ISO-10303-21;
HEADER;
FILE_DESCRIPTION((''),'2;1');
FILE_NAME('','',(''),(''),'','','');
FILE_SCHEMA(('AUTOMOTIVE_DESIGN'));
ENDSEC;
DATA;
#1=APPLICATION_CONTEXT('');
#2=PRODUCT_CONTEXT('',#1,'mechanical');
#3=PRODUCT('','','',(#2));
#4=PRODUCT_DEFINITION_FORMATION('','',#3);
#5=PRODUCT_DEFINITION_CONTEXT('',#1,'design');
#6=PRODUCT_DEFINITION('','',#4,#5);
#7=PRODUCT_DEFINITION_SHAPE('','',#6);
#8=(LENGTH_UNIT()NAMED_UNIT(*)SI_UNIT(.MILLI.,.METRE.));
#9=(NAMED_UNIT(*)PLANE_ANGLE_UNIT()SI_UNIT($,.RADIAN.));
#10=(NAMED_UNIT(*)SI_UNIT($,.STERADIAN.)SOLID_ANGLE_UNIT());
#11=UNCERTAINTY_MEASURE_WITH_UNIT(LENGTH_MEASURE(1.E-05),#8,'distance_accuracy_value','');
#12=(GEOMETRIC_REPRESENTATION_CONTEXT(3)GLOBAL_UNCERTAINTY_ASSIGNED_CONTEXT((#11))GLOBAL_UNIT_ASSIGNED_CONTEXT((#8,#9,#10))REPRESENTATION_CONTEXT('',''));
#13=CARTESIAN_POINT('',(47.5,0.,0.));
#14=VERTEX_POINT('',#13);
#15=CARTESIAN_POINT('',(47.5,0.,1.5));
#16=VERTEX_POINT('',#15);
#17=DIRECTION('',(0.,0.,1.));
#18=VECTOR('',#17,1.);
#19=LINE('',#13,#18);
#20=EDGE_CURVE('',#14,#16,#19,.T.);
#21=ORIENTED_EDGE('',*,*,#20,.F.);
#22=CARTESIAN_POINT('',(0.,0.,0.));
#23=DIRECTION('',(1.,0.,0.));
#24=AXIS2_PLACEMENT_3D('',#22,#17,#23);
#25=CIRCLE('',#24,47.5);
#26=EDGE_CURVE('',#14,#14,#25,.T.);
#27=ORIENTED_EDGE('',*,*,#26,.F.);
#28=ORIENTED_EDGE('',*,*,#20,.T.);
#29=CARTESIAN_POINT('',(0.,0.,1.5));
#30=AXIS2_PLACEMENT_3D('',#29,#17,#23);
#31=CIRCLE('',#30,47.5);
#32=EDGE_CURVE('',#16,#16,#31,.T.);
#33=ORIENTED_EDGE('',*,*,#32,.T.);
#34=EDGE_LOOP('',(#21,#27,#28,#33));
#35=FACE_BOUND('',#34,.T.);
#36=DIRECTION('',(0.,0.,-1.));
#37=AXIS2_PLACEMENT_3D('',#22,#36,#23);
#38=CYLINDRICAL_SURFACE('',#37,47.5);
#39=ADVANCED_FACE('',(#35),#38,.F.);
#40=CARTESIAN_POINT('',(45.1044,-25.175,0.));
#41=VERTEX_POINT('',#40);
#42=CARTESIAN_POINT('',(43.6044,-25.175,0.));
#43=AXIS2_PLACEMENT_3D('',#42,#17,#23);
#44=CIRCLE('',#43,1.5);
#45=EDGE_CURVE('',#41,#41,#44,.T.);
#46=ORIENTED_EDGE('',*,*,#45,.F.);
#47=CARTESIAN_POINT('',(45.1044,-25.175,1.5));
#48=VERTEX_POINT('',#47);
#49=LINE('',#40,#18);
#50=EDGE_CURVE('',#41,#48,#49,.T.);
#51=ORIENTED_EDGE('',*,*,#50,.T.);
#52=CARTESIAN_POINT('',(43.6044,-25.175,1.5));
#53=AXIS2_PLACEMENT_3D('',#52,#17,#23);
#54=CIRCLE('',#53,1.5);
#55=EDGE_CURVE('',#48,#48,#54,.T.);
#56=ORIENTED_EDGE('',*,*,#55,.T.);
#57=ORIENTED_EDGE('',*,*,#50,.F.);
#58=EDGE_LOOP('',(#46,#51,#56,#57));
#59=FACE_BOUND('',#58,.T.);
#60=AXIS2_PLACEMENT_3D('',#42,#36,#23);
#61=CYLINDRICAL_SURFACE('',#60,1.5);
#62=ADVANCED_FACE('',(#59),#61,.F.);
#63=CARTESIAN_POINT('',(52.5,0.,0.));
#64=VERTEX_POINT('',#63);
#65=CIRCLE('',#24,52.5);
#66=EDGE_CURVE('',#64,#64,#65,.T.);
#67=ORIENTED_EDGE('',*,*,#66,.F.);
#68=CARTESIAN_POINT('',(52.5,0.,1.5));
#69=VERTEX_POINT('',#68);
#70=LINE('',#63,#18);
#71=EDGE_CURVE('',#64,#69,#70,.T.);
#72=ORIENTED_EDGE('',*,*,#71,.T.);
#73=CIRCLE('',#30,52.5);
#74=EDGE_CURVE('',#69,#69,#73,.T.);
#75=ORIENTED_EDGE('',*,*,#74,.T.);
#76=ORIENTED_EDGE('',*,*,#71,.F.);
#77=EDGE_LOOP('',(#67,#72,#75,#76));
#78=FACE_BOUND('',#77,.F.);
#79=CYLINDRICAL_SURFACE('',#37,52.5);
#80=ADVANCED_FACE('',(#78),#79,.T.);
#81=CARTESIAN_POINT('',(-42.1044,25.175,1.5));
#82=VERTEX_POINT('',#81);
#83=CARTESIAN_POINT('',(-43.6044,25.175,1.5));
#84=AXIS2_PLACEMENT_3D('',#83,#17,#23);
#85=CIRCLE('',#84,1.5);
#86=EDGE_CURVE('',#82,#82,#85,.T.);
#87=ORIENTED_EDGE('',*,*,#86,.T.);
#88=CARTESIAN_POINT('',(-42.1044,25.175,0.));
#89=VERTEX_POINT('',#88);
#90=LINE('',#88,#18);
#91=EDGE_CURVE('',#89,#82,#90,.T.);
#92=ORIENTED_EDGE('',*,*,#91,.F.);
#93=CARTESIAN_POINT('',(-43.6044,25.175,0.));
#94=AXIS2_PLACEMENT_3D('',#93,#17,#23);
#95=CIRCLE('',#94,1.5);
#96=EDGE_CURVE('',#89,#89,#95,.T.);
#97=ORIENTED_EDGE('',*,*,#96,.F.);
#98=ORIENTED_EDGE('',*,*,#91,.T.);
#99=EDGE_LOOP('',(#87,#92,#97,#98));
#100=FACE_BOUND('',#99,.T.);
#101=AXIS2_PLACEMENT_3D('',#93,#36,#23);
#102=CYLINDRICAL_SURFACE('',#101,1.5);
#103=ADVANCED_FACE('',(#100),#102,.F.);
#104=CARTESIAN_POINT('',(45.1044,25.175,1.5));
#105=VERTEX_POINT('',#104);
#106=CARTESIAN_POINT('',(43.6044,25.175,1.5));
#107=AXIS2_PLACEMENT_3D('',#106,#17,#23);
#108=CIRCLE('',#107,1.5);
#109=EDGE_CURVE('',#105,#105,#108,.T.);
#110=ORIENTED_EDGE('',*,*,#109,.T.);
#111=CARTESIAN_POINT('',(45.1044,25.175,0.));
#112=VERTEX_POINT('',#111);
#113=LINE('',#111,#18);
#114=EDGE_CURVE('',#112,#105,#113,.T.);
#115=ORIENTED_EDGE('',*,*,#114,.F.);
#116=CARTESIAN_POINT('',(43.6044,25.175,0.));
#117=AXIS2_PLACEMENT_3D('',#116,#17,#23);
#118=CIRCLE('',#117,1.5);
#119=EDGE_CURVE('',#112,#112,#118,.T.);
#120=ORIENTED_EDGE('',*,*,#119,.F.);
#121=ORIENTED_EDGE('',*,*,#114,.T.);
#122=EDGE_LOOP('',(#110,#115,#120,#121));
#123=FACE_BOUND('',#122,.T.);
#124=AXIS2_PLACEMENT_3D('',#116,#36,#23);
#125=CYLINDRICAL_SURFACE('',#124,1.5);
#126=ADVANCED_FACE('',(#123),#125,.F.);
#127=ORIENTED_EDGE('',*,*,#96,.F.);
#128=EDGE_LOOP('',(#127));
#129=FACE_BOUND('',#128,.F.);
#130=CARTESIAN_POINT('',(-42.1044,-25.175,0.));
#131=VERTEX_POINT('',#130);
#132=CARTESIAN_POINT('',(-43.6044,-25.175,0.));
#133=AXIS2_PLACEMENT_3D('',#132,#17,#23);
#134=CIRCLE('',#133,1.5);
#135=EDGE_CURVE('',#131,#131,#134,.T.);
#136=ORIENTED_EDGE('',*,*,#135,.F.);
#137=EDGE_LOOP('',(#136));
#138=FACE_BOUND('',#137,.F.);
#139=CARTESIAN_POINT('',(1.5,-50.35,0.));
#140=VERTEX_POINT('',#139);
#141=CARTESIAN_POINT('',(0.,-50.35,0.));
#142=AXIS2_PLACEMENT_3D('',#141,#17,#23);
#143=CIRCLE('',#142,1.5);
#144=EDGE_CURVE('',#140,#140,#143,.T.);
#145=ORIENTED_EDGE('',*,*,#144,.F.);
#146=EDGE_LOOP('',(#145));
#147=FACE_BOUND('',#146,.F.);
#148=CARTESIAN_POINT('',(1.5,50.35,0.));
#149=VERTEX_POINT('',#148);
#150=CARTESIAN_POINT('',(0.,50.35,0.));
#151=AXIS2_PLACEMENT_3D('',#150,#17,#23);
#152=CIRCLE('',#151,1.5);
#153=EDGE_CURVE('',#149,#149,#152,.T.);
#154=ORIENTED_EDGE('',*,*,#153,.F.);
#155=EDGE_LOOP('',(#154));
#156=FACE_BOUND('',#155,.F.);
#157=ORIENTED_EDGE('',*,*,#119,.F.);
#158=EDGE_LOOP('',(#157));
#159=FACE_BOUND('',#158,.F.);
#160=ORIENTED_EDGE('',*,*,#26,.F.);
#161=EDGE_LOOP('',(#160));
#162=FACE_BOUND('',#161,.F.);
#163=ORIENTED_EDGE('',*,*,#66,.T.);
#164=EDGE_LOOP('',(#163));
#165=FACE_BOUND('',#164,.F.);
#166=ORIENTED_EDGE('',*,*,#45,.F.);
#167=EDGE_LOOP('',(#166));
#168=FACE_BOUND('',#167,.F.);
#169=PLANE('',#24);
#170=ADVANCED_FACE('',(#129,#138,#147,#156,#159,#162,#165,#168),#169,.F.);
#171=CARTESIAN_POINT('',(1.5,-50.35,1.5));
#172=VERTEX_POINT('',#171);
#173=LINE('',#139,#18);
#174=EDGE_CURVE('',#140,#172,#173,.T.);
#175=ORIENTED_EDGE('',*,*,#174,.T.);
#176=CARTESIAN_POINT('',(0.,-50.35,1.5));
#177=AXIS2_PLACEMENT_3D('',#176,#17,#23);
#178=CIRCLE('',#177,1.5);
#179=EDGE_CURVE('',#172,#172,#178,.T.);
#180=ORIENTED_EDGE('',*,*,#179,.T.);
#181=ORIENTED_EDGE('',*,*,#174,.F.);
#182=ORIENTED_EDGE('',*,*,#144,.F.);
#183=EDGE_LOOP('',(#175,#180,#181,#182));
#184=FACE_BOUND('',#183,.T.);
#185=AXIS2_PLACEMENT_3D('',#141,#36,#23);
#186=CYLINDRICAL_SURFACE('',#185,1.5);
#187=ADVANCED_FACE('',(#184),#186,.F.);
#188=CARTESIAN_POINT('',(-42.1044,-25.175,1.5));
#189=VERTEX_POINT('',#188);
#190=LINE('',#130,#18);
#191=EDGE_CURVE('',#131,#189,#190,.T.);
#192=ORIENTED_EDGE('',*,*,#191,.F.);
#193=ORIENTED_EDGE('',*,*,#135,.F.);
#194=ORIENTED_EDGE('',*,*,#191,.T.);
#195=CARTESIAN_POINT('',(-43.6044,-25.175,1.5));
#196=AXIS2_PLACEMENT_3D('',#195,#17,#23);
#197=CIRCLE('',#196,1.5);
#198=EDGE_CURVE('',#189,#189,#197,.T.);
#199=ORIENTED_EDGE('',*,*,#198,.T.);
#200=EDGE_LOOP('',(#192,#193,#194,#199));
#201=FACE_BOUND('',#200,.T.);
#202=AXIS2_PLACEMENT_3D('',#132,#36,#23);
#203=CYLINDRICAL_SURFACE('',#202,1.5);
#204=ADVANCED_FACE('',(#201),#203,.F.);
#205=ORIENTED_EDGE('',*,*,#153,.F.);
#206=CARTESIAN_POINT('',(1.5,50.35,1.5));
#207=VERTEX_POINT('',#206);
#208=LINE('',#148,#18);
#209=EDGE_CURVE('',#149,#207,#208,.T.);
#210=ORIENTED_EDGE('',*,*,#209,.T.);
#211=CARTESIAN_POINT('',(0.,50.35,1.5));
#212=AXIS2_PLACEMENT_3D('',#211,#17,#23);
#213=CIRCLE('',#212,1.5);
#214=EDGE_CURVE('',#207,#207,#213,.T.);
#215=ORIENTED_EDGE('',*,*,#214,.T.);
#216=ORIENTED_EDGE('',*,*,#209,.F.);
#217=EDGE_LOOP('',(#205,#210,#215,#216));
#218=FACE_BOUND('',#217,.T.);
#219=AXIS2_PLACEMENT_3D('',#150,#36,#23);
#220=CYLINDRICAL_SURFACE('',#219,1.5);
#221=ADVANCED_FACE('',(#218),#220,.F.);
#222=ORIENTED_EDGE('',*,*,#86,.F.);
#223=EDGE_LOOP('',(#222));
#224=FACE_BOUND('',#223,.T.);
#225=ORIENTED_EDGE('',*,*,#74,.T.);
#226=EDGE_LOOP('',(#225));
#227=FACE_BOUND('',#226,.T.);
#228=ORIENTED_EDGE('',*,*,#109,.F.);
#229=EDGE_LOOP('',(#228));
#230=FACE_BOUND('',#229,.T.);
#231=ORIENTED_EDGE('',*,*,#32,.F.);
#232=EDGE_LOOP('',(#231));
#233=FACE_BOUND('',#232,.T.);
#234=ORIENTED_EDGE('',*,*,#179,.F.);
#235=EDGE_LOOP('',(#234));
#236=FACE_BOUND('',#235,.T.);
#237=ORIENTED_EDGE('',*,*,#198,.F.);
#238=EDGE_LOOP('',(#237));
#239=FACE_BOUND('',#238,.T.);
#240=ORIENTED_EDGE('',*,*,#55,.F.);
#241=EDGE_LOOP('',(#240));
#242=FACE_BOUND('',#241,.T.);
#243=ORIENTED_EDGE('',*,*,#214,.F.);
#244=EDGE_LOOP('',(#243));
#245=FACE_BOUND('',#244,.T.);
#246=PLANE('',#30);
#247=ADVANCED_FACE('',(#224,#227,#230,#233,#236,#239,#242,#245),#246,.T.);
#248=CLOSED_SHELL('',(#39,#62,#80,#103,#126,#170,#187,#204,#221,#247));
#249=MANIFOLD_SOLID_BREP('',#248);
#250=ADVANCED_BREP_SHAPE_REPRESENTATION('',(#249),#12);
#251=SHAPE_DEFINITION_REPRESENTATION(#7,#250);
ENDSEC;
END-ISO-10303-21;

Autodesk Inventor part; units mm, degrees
ref_plane "YZ Plane" through (0, 0, 0) normal (1, 0, 0) x (0, 1, 0)
ref_plane "XZ Plane" through (0, 0, 0) normal (0, 1, 0) x (-1, 0, 0)
ref_plane "XY Plane" through (0, 0, 0) normal (0, 0, 1) x (1, 0, 0)
sketch "Sketch1" plane through (0, 0, 0) normal (0, 0, 1) x (1, 0, 0)
  circle A0 centre (0, 0) radius 47.5
  circle A1 centre (0, 0) radius 52.5
  circle A2 centre (0, 50.35) radius 1.5
  circle A3 centre (-43.6044, 25.175) radius 1.5
  circle A4 centre (-43.6044, -25.175) radius 1.5
  circle A5 centre (0, -50.35) radius 1.5
  circle A6 centre (43.6044, -25.175) radius 1.5
  circle A7 centre (43.6044, 25.175) radius 1.5
  dimension "d0" = 95
  dimension "d1" = 105
  dimension "d2" = 3
  dimension "d5" = 360
  dimension "d9" = 1.35
extrude "Extrusion1" add sketch "Sketch1" along normal blind 1.5
properties part number "bead lock"
